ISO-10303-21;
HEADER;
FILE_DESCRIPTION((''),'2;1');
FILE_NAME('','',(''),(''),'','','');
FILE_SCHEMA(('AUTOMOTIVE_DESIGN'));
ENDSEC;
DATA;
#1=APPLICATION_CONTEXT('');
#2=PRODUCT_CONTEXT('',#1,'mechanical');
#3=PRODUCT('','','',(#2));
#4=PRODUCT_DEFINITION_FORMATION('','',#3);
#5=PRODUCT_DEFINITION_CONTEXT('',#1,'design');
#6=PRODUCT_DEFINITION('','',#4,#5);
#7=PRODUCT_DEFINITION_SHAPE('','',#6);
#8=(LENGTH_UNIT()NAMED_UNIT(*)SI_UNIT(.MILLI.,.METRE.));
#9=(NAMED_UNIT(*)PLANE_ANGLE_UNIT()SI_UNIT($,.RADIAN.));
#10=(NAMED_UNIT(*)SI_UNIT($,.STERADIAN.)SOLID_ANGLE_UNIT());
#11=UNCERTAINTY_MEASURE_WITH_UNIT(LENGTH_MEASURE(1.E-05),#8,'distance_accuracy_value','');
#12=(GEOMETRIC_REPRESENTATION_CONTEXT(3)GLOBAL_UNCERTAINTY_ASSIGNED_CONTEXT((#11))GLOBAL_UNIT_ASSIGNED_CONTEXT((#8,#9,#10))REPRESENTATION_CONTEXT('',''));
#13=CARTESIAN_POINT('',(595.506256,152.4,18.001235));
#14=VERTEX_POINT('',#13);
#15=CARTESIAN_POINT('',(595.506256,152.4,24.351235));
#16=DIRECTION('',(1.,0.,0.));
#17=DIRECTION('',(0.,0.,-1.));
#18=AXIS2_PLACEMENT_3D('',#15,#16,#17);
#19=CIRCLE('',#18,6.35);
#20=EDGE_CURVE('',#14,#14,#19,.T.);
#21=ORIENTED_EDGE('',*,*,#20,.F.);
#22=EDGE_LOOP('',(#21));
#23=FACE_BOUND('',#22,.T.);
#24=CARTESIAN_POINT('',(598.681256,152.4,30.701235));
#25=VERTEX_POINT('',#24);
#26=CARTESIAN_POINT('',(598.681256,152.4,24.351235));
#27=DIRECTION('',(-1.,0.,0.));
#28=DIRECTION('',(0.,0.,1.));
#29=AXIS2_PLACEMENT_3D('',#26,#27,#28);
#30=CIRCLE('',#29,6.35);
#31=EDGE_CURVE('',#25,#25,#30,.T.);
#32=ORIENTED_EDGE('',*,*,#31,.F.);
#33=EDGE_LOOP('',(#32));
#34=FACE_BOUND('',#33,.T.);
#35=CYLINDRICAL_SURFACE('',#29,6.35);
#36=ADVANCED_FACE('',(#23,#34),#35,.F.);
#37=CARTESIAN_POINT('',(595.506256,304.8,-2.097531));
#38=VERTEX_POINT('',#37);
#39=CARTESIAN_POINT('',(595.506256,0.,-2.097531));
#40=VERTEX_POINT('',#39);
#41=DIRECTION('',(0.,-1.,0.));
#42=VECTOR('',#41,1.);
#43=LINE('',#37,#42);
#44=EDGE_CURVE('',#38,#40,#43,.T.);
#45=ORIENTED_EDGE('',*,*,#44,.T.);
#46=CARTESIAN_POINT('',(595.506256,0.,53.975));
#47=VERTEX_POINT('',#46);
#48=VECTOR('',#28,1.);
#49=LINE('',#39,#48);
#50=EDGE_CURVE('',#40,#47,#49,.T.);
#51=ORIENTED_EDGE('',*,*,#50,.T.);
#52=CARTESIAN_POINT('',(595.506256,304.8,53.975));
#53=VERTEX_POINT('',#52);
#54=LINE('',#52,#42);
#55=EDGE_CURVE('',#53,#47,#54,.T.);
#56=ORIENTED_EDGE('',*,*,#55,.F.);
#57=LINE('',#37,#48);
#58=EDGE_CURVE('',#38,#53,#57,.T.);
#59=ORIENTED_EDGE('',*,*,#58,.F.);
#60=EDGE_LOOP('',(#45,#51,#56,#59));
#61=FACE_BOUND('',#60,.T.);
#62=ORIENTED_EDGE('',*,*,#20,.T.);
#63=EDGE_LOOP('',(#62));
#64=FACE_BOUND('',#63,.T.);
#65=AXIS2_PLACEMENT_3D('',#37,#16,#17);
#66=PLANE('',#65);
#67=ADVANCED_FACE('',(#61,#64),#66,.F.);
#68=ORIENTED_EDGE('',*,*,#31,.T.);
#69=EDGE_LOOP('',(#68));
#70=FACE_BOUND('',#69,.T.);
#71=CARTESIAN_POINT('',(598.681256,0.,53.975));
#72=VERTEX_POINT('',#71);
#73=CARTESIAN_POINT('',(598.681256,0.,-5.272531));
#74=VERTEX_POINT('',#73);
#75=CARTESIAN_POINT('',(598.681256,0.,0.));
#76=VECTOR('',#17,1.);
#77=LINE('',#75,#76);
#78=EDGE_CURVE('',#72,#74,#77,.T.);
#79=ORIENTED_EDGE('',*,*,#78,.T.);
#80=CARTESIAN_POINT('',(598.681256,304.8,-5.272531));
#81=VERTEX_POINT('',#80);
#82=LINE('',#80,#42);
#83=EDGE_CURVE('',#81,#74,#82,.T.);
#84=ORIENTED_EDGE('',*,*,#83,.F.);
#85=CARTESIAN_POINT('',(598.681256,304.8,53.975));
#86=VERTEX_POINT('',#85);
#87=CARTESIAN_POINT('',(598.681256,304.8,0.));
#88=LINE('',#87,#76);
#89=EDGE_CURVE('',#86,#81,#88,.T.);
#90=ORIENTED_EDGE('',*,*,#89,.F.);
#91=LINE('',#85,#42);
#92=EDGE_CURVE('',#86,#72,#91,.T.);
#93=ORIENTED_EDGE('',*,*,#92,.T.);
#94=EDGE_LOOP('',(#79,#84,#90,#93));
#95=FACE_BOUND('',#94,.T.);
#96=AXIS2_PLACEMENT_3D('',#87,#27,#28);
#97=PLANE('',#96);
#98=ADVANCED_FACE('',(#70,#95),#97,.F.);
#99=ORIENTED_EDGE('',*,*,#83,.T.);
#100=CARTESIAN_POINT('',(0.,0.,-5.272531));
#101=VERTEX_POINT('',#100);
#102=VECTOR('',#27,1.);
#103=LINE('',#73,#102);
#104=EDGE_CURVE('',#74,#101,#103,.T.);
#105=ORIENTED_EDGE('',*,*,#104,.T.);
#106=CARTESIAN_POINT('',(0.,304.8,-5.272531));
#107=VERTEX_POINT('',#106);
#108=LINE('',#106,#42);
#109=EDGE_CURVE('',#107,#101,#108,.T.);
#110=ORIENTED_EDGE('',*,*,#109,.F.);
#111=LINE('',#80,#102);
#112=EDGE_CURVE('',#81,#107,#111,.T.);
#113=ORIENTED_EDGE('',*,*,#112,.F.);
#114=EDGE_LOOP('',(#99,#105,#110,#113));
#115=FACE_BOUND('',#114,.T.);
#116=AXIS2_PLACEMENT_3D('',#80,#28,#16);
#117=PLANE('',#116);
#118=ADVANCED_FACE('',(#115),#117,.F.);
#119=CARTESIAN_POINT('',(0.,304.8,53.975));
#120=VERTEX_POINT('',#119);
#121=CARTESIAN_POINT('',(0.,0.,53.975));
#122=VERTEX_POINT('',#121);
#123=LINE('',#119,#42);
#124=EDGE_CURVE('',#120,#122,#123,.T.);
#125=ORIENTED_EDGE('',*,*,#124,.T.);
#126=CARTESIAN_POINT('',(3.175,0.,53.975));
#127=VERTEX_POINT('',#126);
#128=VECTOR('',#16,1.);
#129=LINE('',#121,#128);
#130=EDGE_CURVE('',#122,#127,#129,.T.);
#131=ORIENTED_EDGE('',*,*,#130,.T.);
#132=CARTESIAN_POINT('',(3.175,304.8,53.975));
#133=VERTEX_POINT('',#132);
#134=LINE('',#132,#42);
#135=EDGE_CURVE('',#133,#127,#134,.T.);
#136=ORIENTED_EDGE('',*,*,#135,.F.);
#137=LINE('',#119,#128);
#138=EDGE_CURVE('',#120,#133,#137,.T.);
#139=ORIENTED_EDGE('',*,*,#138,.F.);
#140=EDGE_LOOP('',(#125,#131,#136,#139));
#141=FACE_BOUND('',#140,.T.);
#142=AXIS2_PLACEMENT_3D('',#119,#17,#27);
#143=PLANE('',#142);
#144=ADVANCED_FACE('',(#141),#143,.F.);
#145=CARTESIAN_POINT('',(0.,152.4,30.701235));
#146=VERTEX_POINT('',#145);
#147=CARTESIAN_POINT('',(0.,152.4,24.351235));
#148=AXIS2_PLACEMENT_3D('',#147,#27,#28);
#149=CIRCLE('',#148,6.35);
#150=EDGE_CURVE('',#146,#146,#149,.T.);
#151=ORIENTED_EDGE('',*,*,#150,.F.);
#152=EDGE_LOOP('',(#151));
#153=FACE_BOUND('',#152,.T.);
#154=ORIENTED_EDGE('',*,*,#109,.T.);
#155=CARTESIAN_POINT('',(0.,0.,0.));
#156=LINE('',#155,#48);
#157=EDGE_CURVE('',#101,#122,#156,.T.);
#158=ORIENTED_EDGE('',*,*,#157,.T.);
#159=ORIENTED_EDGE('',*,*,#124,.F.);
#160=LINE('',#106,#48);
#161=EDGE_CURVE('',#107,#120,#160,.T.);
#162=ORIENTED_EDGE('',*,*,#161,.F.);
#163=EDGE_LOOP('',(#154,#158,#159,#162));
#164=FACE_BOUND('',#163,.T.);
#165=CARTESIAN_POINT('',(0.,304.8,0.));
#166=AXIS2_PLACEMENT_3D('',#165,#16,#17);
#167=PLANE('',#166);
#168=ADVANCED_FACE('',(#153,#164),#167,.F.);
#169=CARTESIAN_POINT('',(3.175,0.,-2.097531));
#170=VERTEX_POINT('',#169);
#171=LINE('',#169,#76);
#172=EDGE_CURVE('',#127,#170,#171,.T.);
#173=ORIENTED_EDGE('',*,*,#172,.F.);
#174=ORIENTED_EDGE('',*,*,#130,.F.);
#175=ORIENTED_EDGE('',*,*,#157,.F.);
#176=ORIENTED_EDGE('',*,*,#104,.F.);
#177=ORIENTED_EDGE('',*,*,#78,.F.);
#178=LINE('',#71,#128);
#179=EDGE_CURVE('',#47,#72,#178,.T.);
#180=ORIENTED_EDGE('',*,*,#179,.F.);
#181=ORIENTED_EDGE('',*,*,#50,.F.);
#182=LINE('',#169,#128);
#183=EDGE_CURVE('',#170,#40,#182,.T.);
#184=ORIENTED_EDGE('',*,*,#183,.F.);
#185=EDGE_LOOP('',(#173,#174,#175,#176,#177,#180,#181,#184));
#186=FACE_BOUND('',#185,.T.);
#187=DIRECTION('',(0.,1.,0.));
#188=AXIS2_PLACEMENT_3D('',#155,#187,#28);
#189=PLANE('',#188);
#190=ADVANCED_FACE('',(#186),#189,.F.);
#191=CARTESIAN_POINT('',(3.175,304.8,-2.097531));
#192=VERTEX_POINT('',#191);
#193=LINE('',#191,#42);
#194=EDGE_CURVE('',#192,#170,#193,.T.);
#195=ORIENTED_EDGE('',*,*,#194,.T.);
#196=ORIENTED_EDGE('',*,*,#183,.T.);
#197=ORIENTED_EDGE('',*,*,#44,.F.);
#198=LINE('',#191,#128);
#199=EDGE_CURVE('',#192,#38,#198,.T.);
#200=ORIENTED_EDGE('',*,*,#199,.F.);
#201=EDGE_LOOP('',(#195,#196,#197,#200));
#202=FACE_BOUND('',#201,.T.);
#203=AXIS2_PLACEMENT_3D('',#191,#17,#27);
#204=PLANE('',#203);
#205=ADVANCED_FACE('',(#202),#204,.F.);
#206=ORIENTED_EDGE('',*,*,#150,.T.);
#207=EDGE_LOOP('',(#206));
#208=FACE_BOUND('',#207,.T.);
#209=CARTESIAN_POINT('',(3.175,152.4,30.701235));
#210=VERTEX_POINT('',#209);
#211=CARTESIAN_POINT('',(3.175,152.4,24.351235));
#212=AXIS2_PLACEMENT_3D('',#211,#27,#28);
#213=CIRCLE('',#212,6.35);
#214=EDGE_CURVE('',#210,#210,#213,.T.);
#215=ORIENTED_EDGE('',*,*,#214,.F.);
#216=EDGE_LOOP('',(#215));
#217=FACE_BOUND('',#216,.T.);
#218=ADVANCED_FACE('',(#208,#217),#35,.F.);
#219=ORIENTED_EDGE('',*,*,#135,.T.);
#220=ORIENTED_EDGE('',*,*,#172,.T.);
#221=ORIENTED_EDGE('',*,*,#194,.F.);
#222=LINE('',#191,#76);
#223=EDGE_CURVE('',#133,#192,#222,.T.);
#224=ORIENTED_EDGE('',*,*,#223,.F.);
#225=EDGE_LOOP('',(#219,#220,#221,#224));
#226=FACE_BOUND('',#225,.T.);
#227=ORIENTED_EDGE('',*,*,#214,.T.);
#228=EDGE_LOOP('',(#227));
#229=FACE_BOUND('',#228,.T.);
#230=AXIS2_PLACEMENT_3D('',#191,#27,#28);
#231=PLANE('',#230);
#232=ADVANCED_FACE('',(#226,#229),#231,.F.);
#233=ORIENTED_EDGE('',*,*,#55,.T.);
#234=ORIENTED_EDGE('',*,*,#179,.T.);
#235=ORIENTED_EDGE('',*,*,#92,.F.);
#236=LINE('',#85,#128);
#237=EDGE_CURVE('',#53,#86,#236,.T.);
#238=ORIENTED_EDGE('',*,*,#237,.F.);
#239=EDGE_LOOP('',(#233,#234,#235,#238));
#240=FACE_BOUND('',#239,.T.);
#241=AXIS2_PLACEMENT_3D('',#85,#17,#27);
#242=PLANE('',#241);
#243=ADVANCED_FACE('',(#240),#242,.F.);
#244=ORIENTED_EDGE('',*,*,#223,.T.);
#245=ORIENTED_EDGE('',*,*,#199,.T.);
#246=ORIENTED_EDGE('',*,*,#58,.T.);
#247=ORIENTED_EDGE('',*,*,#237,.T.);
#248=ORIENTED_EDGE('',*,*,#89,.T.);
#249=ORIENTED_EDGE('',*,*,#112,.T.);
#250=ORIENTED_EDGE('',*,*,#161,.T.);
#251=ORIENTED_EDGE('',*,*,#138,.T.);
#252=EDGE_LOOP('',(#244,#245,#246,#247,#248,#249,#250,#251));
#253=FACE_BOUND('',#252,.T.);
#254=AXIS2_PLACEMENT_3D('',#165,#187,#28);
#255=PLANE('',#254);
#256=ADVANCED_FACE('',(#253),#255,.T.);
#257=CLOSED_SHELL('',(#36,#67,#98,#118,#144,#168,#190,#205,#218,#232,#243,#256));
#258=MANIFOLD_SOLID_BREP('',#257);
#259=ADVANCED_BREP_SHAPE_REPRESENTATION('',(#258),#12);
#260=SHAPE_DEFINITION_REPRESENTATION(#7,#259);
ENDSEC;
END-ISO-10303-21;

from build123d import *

# Parameters (mm, degrees)
BOSS_EXTRUDE1_DEPTH = 304.8
SKETCH2_R           = 6.35
CUT_EXTRUDE1_DEPTH  = 599.68125614


with BuildPart() as part:
    # Sketch1 → Boss-Extrude1 (new body)
    with BuildSketch(Plane(origin=(0, 0, 0), x_dir=(1, 0, 0), z_dir=(0, 1, 0))):
        Polygon((3.175, 2.097530582), (595.50625614, 2.097530582), (595.50625614, -53.975), (598.68125614, -53.975), (598.68125614, 0), (598.68125614, 5.272530582), (0, 5.272530582), (0, 0), (0, -53.975), (3.175, -53.975), align=None)
    extrude(amount=BOSS_EXTRUDE1_DEPTH)

    # Sketch2 → Cut-Extrude1 (cut, through all)
    with BuildSketch(Plane.ZY):
        with Locations((24.351234709, 152.4)):
            Circle(SKETCH2_R)
    extrude(amount=-CUT_EXTRUDE1_DEPTH, mode=Mode.SUBTRACT)


solid = part.part
